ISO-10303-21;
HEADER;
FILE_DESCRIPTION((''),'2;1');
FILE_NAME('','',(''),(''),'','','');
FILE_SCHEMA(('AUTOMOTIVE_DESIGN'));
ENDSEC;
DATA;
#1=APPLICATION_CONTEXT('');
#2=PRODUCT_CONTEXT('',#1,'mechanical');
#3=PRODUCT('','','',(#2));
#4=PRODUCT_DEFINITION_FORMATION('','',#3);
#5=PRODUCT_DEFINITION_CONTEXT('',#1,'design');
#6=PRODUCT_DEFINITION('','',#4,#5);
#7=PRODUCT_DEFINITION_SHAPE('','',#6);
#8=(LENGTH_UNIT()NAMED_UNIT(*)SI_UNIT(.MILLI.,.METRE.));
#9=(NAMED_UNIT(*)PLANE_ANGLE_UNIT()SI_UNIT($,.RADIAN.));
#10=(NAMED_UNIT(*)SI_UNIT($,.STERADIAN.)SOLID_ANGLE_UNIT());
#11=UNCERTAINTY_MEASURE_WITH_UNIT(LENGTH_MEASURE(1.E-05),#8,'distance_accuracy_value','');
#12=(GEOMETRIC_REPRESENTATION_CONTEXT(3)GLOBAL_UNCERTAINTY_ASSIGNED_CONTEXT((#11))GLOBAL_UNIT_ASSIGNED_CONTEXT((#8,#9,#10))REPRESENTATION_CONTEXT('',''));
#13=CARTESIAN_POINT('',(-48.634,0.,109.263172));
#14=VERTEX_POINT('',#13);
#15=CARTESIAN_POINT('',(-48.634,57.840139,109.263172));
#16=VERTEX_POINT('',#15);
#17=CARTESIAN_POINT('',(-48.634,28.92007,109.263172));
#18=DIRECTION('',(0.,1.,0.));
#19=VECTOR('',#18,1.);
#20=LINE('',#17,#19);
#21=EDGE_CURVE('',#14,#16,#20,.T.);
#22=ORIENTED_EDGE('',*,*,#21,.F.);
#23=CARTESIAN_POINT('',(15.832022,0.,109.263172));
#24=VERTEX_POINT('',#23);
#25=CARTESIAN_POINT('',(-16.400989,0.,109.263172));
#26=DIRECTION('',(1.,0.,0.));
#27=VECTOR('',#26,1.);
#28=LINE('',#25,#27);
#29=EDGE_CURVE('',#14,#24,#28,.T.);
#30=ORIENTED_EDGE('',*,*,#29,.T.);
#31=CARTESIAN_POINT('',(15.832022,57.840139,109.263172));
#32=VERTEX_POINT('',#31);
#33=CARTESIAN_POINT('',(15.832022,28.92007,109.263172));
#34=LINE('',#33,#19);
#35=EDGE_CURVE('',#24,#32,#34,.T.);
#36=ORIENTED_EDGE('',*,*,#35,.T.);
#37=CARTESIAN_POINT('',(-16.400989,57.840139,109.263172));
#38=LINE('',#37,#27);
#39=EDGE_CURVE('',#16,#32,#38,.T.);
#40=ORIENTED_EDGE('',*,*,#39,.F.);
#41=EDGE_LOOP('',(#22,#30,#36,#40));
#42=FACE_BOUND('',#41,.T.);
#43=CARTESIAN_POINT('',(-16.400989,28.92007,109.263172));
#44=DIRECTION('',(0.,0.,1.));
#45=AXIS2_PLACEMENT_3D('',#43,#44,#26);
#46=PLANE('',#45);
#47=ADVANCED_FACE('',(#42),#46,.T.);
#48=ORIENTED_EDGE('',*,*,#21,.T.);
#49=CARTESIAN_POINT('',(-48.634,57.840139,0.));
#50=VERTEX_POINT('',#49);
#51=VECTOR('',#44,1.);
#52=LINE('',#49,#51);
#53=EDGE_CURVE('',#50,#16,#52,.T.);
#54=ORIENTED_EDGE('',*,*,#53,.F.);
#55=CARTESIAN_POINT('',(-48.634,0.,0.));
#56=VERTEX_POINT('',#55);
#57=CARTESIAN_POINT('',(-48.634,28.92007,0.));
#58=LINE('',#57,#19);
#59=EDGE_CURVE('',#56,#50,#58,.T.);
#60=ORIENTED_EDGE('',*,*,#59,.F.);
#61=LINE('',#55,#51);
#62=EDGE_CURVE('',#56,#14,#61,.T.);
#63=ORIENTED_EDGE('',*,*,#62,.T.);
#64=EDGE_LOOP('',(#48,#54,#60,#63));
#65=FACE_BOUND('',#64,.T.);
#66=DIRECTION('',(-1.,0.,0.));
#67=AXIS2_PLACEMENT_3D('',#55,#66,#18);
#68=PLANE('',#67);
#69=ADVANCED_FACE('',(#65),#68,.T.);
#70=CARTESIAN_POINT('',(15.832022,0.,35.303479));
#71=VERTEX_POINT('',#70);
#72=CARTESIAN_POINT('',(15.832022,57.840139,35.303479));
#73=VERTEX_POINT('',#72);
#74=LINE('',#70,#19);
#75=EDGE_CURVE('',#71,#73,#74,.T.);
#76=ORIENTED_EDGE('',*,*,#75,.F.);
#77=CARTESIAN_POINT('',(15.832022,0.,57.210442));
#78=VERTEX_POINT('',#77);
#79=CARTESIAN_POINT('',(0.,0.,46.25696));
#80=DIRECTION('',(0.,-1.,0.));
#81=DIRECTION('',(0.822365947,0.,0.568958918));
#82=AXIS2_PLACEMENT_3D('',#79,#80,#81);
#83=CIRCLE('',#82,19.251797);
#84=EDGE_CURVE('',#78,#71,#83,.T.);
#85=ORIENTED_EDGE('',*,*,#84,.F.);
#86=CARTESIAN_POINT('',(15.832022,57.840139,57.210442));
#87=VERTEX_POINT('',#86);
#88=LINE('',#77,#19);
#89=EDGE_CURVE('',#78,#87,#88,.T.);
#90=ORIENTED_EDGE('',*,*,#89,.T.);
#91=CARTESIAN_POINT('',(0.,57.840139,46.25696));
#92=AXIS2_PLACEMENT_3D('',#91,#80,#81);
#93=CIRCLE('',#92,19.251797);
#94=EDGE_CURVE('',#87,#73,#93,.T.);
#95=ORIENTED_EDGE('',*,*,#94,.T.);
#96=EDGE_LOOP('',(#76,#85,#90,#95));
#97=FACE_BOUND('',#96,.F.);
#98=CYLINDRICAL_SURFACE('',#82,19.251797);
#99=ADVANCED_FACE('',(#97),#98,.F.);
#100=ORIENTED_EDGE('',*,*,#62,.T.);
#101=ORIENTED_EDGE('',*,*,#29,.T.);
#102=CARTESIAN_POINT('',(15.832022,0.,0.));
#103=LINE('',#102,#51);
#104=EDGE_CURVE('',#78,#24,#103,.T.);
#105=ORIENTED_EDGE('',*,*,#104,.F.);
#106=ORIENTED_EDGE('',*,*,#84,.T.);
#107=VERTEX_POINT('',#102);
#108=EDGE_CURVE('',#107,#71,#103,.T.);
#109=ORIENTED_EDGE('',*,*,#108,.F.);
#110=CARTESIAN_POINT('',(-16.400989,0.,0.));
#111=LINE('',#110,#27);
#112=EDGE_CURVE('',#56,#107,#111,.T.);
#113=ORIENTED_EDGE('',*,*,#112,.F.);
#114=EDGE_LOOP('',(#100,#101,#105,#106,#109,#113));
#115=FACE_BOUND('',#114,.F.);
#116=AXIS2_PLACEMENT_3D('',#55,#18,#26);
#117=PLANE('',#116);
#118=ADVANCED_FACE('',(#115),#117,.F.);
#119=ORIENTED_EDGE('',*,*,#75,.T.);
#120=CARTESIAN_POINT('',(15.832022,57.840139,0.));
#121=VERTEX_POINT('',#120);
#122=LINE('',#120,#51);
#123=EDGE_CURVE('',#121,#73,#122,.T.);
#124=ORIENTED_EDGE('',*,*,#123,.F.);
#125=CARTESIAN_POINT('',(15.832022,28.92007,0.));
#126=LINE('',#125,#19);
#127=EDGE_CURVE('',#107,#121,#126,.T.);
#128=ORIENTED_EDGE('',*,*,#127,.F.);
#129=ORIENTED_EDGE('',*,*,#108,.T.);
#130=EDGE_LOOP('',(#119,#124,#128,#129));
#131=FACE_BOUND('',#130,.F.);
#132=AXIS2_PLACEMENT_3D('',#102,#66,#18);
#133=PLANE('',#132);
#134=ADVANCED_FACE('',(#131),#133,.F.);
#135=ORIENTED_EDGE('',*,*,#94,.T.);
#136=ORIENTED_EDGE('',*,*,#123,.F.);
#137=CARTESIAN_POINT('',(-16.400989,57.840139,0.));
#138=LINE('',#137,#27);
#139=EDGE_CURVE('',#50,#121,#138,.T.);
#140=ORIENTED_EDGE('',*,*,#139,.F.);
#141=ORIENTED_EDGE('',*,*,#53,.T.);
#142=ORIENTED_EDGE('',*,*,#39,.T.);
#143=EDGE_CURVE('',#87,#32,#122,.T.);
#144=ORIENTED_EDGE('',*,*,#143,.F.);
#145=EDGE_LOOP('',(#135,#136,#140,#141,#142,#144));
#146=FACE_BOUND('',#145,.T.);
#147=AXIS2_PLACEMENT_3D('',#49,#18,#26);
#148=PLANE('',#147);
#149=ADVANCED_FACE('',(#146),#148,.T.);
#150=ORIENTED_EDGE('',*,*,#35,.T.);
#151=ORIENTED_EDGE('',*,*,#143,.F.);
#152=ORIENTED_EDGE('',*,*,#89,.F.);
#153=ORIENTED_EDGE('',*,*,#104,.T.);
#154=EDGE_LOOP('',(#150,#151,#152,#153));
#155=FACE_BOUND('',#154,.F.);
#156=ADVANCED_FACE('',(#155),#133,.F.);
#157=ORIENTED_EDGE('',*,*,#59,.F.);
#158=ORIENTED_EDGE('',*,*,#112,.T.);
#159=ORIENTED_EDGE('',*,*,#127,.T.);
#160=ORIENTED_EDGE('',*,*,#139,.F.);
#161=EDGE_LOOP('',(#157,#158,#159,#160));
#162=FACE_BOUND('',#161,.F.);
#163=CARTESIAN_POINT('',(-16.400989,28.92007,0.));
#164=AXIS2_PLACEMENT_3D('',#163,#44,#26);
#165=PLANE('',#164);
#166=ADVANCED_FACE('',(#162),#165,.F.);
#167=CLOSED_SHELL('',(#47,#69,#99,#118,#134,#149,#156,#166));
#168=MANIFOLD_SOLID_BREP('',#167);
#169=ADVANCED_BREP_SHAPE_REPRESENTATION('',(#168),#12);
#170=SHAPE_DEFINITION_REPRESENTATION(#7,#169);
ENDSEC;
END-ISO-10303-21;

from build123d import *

# Parameters (mm, degrees)
F0_W     = 64.466022
F0_H     = 57.840139
F2_DEPTH = 109.263172
F4_DEPTH = 25.4
F6_DEPTH = 80.09805


with BuildPart() as f2:
    # F0 (on Top) → F2 (new body)
    with BuildSketch(Plane.XY):
        with Locations((-16.400989, 28.92007)):
            Rectangle(F0_W, F0_H)
    extrude(amount=F2_DEPTH)

    # F3 (on face) → F4 (cut)
    with BuildSketch(Plane.XZ):
        with BuildLine():
            ThreePointArc((15.832022, 35.303479), (18.376977, 40.519505), (19.251797, 46.256961))
            ThreePointArc((19.251797, 46.256961), (18.376977, 51.994417), (15.832022, 57.210442))
            Line((15.832022, 57.210442), (15.832022, 35.303479))
        make_face()
    extrude(amount=-F4_DEPTH, mode=Mode.SUBTRACT)

    # F5 (on face) → F6 (cut)
    with BuildSketch(Plane.XZ):
        with BuildLine():
            ThreePointArc((15.832022, 57.210442), (-19.251797, 46.256961), (15.832022, 35.303479))
            Line((15.832022, 35.303479), (15.832022, 57.210442))
        make_face()
    extrude(amount=-F6_DEPTH, mode=Mode.SUBTRACT)


solid = f2.part
